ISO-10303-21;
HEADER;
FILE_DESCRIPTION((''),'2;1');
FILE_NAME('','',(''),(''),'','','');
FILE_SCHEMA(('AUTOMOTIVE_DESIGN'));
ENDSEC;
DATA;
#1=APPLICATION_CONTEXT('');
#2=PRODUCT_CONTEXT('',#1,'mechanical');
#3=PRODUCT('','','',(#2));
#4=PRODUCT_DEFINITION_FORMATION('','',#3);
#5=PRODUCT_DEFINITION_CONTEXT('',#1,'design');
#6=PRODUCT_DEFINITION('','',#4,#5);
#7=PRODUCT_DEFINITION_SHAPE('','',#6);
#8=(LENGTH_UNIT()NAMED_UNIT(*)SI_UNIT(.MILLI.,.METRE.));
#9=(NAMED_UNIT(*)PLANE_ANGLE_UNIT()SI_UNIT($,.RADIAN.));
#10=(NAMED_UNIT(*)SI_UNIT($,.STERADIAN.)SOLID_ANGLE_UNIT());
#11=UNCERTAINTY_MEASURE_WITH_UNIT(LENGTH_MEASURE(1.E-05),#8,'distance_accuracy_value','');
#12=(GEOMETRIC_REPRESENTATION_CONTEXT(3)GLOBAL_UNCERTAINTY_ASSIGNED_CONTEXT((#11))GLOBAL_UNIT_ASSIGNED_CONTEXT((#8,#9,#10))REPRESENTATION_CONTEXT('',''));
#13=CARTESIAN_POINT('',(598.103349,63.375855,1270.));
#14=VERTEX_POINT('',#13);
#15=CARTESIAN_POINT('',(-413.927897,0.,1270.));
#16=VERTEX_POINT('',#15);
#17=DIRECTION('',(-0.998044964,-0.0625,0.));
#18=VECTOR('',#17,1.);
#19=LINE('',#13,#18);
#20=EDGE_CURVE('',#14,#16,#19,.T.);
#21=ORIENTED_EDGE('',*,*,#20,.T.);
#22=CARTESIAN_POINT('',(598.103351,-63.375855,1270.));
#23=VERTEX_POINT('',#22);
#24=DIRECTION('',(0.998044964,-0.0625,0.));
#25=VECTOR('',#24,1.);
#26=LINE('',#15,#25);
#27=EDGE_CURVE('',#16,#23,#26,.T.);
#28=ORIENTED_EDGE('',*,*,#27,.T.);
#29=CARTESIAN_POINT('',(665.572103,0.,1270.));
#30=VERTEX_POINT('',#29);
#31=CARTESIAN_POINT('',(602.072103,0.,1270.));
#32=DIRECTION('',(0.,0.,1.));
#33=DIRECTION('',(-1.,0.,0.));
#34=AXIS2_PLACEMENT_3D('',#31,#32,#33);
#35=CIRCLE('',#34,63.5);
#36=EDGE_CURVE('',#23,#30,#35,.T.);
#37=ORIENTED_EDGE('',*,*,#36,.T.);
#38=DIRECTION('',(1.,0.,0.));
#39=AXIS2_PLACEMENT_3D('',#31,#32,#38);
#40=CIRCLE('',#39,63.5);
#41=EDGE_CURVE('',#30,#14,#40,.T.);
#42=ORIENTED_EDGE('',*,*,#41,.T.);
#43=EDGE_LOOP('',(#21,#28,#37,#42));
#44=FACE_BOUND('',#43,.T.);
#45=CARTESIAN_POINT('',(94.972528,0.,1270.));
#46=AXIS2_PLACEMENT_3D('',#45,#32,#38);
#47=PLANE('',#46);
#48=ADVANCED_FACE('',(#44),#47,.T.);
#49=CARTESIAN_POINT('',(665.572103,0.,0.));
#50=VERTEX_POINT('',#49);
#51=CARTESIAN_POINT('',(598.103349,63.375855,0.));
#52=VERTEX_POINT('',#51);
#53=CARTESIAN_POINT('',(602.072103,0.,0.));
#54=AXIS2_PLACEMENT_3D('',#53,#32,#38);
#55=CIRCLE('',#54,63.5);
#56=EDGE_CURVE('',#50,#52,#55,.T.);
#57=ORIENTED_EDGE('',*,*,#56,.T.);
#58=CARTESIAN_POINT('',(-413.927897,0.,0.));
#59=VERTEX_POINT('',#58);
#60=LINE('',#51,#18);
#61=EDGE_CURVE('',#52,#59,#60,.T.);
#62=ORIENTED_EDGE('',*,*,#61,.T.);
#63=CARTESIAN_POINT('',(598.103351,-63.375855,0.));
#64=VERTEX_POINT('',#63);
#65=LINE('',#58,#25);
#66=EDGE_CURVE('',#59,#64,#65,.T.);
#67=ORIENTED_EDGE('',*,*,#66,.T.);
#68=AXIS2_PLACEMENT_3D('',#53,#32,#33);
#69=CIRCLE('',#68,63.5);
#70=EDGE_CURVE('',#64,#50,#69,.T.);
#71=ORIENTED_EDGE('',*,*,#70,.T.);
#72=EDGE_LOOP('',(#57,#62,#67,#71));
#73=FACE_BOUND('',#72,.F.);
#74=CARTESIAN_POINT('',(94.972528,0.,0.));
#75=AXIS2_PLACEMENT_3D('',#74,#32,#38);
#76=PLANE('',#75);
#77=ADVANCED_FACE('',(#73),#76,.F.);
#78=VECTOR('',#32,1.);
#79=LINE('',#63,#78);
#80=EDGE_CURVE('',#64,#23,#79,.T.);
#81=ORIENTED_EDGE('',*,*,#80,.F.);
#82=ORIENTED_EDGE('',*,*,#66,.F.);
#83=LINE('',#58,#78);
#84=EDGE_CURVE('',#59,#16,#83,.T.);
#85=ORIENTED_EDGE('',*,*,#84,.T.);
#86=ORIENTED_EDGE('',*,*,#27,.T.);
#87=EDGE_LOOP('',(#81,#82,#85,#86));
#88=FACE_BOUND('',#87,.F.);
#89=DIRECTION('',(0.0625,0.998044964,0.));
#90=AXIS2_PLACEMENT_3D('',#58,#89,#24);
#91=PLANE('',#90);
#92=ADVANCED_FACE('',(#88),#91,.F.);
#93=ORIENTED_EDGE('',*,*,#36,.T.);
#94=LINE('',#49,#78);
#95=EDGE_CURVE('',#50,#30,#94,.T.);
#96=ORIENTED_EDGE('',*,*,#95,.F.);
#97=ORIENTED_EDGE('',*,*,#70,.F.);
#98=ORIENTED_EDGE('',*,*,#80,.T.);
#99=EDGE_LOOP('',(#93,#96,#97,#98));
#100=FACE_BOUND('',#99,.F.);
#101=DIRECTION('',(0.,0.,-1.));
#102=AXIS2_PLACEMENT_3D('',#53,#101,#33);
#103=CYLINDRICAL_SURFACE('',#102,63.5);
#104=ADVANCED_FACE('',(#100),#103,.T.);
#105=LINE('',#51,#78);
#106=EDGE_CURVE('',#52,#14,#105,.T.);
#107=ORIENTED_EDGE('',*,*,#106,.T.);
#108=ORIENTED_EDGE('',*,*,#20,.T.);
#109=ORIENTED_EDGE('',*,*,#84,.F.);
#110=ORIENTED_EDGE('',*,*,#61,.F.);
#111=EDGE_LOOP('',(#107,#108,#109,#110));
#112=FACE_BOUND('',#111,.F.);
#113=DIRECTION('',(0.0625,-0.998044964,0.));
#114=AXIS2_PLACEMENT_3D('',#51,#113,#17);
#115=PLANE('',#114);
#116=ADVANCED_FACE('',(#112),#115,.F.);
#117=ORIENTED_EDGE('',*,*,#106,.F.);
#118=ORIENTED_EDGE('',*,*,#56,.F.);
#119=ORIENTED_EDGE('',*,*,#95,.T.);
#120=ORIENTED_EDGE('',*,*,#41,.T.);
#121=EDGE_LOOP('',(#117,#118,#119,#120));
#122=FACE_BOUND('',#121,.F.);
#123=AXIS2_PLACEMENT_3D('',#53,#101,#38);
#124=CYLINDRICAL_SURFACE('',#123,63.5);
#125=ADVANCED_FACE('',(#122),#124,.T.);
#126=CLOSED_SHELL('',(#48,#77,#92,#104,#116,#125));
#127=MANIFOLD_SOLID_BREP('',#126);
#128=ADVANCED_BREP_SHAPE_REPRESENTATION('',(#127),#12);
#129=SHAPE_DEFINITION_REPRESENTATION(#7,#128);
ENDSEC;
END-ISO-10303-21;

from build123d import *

# Parameters (mm, degrees)
F1_DEPTH = 1270


with BuildPart() as f1:
    # F0 (on Top) → F1 (new body)
    with BuildSketch(Plane.XY):
        with BuildLine():
            ThreePointArc((92.0877278662, -31.6879275845), (115.8098420681, -23.1415904412), (125.8221031826, 0))
            ThreePointArc((125.8221031826, 0), (115.809842886, 23.1415896729), (92.0877301062, 31.6879277248))
            ThreePointArc((92.0877301062, 31.6879277248), (62.3221031826, 1.1222e-06), (92.0877278662, -31.6879275845))
        make_face()
        with BuildLine():
            ThreePointArc((92.0877301062, 31.6879277248), (115.809842886, 23.1415896729), (125.8221031826, 0))
            Line((125.8221031826, 0), (538.5721031826, 0))
            ThreePointArc((538.5721031826, 0), (555.7889212362, 43.4754766382), (598.1033494477, 63.3758549748))
            Line((598.1033494477, 63.3758549748), (92.0877301062, 31.6879277248))
        make_face()
        with BuildLine():
            Line((538.5721031826, 0), (125.8221031826, 0))
            ThreePointArc((125.8221031826, 0), (115.8098420681, -23.1415904412), (92.0877278662, -31.6879275845))
            Line((92.0877278662, -31.6879275845), (598.1033510864, -63.3758550775))
            ThreePointArc((598.1033510864, -63.3758550775), (555.7889217983, -43.4754772366), (538.5721031826, 0))
        make_face()
        with BuildLine():
            Line((602.0721031826, 0), (538.5721031826, 0))
            ThreePointArc((538.5721031826, 0), (555.7889217983, -43.4754772366), (598.1033510864, -63.3758550775))
            ThreePointArc((598.1033510864, -63.3758550775), (645.5475804192, -46.2831813843), (665.5721031826, 0))
            Line((665.5721031826, 0), (602.0721031826, 0))
        make_face()
        with BuildLine():
            ThreePointArc((598.1033494477, 63.3758549748), (555.7889212362, 43.4754766382), (538.5721031826, 0))
            Line((538.5721031826, 0), (602.0721031826, 0))
            Line((602.0721031826, 0), (665.5721031826, 0))
            ThreePointArc((665.5721031826, 0), (645.5475798208, 46.2831819464), (598.1033494477, 63.3758549748))
        make_face()
        with BuildLine():
            ThreePointArc((92.0877278662, -31.6879275845), (62.3221031826, 1.1222e-06), (92.0877301062, 31.6879277248))
            Line((92.0877301062, 31.6879277248), (-413.9278968174, 0))
            Line((-413.9278968174, 0), (92.0877278662, -31.6879275845))
        make_face()
    extrude(amount=F1_DEPTH)


solid = f1.part
